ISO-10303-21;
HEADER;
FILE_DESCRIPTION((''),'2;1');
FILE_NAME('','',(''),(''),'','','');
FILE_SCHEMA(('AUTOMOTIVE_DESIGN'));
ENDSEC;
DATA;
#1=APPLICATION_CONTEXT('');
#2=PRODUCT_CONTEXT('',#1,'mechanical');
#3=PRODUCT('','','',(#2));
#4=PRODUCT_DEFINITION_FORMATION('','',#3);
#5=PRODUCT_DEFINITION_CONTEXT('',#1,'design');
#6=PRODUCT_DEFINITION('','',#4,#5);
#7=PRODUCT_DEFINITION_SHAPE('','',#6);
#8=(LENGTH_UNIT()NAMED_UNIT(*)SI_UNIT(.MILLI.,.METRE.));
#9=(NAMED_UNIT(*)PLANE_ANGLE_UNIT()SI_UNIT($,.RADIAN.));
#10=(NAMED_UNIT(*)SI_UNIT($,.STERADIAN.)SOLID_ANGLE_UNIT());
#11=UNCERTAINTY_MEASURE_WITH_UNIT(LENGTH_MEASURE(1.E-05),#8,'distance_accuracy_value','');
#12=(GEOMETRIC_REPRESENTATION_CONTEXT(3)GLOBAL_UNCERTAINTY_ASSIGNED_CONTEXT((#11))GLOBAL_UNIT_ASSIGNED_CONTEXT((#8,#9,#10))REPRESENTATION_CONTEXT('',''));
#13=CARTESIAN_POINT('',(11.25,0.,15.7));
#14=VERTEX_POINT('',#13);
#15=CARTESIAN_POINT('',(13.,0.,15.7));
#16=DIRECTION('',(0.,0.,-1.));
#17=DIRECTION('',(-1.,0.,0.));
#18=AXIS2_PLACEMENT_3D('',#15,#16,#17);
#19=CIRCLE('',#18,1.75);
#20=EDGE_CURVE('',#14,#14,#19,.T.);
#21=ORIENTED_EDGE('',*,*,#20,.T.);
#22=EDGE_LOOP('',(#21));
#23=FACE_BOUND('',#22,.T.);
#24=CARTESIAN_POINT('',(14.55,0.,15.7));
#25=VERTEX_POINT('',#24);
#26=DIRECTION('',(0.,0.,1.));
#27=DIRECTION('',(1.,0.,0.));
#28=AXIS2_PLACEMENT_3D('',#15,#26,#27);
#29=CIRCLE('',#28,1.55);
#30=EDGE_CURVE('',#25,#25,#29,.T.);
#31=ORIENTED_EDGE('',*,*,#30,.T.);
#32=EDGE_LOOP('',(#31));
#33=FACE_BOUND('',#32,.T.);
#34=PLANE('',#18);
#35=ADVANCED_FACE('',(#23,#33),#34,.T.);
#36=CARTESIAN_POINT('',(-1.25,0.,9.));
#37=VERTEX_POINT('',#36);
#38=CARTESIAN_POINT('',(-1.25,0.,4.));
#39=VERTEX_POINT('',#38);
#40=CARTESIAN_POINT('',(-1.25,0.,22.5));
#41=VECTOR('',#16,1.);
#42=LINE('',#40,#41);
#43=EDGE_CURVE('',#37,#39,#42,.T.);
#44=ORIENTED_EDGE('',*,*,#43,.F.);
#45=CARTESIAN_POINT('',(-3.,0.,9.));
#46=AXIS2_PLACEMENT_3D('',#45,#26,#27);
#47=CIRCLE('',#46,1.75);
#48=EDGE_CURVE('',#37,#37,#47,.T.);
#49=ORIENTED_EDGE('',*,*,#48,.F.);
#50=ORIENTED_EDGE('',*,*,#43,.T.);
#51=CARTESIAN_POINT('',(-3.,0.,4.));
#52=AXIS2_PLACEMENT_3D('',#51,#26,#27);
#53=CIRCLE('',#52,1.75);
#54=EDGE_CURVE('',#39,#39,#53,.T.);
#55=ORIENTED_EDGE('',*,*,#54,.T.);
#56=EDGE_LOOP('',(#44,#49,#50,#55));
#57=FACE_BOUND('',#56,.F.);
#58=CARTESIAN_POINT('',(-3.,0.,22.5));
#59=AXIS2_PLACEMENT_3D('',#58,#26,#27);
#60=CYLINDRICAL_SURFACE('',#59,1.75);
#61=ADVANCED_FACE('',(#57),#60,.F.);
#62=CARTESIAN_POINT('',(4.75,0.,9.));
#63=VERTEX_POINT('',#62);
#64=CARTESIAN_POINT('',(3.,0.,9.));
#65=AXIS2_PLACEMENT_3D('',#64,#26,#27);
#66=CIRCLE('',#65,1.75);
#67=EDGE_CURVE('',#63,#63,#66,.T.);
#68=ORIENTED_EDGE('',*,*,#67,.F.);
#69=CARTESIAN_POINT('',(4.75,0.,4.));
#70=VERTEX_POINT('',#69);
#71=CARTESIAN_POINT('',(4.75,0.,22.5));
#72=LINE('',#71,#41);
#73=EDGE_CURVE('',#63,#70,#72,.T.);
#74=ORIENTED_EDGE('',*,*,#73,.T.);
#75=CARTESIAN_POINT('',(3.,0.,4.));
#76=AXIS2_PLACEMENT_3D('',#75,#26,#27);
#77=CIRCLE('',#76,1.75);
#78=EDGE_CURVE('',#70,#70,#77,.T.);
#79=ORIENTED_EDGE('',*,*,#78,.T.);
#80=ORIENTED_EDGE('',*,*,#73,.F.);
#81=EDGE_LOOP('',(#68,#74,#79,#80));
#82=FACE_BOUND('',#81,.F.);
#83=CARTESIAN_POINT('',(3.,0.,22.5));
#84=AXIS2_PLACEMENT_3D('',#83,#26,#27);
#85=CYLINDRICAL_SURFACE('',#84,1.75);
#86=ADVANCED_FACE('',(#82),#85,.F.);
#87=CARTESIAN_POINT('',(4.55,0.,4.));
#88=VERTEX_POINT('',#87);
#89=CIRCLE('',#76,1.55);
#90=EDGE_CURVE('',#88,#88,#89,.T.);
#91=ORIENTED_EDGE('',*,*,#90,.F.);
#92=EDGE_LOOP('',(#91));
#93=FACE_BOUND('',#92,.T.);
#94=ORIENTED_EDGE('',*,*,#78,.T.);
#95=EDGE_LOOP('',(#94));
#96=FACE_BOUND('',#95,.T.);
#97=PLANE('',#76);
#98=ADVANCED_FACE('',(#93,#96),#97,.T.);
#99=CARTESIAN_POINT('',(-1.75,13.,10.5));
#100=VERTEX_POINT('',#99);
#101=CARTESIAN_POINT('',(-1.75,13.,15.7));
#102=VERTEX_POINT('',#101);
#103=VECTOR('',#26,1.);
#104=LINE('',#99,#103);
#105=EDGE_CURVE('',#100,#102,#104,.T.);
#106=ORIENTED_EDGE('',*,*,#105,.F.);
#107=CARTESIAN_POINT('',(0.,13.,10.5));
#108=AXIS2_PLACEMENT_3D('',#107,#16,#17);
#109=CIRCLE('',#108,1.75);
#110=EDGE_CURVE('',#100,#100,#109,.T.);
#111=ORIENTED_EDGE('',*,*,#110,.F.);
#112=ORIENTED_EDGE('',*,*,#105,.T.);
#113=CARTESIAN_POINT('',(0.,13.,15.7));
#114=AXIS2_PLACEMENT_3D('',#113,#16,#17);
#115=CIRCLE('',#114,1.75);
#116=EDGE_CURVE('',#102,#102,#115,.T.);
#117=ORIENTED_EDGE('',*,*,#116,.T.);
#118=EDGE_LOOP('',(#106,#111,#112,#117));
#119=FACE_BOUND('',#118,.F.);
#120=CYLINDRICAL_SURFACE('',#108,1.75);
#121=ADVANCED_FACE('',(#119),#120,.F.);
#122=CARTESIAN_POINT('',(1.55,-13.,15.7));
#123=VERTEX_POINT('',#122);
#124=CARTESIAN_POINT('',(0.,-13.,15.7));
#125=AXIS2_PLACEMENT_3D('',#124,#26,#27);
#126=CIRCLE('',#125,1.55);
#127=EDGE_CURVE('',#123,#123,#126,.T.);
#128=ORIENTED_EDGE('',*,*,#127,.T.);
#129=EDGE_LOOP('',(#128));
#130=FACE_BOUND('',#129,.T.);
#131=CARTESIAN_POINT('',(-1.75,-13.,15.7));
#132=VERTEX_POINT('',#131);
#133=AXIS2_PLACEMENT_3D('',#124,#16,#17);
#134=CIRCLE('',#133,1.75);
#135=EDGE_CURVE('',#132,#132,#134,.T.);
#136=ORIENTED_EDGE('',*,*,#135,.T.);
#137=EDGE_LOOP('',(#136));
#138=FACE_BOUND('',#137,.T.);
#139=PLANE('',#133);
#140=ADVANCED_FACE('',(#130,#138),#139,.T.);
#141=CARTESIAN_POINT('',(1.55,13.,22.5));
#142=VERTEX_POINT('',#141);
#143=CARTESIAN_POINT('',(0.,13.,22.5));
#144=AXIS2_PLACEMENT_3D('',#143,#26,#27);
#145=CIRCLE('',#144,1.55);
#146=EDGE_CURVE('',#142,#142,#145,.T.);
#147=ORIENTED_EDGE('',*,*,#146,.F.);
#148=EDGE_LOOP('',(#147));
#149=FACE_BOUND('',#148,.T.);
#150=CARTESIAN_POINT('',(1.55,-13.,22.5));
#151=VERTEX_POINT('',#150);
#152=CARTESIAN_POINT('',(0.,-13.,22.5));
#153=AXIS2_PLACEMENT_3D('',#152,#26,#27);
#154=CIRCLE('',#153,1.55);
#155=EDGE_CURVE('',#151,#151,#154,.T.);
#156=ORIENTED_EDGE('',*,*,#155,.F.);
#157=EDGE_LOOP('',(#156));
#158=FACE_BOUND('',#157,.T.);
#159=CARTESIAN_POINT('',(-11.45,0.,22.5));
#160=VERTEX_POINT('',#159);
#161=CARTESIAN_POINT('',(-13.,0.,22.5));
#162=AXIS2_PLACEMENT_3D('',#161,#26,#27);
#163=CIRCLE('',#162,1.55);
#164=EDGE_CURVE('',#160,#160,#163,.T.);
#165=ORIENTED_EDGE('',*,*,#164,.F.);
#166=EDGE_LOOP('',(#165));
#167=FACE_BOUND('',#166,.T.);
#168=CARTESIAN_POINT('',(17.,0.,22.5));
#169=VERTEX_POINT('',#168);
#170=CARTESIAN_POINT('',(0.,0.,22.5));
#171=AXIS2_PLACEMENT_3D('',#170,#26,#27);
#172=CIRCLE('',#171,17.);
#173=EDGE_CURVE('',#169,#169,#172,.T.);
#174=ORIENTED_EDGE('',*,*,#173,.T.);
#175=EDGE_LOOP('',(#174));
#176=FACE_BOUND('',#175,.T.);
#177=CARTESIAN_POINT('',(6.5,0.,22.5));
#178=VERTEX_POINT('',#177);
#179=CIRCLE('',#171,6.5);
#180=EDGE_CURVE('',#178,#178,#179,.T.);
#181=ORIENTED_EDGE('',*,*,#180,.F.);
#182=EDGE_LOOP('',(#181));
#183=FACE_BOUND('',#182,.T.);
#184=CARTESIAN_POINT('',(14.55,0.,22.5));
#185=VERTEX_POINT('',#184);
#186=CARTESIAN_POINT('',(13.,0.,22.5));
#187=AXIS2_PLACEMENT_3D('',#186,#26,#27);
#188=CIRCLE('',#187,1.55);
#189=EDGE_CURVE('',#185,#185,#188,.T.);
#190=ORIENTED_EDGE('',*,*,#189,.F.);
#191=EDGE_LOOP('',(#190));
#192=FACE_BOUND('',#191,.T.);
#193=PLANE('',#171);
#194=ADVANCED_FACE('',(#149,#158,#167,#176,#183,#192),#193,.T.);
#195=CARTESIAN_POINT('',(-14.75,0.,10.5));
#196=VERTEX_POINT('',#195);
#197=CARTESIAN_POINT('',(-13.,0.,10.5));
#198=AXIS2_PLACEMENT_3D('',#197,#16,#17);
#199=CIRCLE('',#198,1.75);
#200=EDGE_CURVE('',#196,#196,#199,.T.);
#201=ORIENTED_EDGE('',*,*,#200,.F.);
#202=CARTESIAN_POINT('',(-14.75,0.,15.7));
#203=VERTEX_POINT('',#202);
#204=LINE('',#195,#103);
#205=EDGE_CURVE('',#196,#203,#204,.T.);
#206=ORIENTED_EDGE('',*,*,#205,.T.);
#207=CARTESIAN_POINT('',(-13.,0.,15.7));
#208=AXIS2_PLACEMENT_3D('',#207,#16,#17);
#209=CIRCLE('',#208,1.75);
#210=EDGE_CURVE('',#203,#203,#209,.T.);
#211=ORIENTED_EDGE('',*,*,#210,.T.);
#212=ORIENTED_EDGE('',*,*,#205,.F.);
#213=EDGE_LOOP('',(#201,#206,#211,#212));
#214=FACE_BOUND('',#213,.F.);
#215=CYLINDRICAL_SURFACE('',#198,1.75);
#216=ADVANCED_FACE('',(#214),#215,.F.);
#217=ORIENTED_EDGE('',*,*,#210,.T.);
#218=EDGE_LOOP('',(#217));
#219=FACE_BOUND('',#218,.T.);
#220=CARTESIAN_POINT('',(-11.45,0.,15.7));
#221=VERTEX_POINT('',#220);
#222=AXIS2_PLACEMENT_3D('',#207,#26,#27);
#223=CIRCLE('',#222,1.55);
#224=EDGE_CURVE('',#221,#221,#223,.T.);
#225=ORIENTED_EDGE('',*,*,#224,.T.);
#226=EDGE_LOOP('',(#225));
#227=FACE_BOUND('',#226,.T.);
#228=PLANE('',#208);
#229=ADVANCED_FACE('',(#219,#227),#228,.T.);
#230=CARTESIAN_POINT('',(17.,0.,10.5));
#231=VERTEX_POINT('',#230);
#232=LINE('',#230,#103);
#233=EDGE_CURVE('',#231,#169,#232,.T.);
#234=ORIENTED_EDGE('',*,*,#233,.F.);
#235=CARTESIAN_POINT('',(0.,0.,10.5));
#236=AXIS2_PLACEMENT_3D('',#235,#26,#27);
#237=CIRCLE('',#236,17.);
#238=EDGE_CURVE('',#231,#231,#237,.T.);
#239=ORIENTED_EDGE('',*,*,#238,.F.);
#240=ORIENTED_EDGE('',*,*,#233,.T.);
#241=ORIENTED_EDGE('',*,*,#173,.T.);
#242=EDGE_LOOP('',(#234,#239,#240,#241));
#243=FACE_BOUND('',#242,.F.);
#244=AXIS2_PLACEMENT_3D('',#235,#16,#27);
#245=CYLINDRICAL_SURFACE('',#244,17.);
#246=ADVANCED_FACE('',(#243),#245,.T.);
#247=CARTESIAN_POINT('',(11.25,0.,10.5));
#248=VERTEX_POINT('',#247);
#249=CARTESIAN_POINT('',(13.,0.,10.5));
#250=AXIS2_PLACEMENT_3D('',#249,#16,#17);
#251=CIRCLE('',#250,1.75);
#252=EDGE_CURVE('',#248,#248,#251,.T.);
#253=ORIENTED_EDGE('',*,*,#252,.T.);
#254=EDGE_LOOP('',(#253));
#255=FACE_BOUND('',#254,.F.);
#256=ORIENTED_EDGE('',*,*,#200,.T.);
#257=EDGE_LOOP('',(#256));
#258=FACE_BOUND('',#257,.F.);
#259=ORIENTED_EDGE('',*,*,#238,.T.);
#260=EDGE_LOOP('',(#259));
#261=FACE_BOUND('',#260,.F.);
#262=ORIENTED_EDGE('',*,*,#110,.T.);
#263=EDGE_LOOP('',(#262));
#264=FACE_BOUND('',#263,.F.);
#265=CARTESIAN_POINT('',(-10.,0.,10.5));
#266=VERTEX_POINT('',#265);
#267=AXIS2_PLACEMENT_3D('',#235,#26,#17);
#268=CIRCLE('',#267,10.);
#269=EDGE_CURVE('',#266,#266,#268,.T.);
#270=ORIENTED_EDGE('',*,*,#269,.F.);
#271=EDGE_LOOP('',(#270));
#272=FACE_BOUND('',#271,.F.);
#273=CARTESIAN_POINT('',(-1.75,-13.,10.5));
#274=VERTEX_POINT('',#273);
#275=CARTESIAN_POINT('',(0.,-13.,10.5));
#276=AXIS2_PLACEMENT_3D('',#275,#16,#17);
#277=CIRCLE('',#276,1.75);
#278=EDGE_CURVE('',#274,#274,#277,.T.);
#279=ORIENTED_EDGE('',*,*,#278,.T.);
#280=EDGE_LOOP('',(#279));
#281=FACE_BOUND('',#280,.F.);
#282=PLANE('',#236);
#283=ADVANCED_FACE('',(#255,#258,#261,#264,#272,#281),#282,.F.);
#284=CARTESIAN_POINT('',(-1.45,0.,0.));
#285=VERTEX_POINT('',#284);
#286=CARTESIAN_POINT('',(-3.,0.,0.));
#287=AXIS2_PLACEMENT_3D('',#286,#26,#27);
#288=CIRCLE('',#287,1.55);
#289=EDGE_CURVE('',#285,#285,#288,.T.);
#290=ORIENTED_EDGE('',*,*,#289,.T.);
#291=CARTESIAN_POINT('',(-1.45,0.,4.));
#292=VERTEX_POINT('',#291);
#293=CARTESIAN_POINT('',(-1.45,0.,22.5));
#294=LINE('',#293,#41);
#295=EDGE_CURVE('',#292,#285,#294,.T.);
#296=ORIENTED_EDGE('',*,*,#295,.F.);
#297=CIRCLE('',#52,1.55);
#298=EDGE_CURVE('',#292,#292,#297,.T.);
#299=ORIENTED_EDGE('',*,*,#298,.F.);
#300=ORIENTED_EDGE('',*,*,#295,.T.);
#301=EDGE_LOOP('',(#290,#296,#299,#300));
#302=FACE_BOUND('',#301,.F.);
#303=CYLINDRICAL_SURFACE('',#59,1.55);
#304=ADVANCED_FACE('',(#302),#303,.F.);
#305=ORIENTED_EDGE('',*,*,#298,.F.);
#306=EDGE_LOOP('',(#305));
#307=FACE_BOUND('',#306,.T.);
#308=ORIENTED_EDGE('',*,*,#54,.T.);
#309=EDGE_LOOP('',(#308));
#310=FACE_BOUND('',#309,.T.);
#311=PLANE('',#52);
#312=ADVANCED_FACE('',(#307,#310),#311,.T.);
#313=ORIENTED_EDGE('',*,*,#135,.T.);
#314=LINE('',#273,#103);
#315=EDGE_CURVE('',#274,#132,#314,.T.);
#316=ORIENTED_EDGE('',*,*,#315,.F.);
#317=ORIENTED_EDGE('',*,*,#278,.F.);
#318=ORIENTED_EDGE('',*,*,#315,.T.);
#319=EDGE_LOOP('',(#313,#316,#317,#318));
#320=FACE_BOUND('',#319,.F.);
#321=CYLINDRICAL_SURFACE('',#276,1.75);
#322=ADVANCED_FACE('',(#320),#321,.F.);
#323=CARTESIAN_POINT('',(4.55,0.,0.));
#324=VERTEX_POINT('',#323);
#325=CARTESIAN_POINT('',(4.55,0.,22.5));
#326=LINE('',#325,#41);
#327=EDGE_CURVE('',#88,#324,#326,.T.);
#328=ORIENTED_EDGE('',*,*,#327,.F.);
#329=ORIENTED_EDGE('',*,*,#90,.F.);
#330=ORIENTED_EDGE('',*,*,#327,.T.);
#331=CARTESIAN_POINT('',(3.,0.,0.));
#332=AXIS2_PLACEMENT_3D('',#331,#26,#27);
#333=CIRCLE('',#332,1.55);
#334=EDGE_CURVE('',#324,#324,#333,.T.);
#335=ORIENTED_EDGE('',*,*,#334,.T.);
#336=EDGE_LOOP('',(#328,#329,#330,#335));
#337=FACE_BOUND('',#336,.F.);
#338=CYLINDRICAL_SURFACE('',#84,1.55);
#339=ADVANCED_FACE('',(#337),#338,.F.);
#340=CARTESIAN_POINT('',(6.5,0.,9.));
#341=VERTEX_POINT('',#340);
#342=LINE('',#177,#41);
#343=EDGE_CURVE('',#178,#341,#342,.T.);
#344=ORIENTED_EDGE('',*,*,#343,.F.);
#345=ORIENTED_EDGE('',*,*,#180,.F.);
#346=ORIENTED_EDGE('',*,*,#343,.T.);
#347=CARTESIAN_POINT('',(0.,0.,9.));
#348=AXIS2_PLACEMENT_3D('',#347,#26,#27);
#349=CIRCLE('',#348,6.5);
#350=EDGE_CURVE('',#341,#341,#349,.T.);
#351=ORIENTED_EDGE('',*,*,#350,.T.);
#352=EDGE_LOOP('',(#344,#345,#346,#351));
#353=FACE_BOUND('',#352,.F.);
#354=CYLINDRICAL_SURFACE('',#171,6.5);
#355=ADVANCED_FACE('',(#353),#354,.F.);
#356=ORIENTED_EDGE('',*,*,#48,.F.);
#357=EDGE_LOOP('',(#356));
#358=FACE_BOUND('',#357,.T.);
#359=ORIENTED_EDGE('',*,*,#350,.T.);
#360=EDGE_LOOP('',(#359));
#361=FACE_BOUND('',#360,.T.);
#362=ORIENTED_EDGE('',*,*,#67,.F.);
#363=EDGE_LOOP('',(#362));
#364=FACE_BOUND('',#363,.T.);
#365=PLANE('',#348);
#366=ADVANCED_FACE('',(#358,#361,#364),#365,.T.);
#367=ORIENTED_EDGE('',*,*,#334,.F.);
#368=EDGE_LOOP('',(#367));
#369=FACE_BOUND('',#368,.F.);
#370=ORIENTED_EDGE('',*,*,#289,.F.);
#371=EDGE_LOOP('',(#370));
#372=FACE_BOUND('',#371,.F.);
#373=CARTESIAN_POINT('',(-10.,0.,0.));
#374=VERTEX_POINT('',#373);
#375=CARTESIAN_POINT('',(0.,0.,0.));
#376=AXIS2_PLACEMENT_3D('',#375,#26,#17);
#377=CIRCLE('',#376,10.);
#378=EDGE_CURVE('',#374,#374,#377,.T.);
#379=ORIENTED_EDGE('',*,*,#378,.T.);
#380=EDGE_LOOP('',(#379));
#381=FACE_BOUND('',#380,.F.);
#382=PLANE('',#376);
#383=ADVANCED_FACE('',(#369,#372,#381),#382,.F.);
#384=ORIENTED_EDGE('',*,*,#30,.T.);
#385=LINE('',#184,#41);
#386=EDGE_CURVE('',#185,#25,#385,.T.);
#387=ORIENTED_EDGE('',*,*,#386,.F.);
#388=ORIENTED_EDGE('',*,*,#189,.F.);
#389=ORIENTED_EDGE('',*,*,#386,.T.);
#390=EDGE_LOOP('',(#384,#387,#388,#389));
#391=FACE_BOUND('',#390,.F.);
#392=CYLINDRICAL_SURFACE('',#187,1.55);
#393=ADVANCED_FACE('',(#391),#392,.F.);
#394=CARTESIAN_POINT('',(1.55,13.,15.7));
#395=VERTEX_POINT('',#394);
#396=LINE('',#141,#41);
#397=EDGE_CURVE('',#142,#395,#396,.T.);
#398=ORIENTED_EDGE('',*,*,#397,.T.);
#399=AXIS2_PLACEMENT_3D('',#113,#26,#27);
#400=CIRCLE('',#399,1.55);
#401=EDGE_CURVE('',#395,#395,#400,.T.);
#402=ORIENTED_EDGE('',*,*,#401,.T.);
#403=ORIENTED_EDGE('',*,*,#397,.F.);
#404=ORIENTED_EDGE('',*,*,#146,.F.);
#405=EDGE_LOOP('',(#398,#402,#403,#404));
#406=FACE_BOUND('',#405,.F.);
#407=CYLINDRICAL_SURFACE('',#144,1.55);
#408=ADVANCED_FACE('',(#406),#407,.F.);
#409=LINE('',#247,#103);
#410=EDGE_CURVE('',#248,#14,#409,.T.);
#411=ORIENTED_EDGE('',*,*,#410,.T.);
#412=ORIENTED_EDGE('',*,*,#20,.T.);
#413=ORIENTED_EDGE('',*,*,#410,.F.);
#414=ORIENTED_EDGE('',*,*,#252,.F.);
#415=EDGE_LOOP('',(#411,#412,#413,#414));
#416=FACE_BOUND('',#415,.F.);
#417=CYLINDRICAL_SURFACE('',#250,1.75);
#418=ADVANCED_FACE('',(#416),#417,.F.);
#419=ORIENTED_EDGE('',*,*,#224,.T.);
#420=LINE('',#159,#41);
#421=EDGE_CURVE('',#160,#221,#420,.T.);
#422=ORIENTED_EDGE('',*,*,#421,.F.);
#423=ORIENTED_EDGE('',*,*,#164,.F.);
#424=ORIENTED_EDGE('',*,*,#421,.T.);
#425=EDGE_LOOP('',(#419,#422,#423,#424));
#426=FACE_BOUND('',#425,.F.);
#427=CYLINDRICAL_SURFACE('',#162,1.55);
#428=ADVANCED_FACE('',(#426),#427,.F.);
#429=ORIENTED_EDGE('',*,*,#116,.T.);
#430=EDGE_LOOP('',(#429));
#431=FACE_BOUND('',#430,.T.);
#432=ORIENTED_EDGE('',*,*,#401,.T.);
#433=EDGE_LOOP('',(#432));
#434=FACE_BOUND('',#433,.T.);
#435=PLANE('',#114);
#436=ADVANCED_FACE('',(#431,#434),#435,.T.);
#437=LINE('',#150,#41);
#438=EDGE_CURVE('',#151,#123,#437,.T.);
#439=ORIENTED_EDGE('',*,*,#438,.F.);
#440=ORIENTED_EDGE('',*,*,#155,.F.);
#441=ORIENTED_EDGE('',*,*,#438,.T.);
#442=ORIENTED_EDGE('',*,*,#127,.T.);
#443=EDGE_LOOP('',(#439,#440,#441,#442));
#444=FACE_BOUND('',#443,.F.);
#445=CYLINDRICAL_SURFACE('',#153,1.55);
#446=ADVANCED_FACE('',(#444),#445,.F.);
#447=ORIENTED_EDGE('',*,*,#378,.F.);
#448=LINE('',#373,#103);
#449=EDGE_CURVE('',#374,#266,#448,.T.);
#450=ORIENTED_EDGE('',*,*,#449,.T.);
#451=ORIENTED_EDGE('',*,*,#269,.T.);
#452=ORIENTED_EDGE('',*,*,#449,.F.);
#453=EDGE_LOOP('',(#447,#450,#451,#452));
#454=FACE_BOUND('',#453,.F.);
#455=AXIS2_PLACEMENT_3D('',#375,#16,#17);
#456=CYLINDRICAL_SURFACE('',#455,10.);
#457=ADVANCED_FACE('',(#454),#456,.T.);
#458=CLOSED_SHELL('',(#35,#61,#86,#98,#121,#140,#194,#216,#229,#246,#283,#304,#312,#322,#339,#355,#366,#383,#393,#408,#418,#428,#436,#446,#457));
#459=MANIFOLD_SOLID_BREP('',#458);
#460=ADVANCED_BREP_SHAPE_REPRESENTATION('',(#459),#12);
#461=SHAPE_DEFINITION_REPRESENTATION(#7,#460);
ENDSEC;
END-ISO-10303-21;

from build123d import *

# Parameters (mm, degrees)
SKETCH1_R           = 10
BOSS_EXTRUDE1_DEPTH = 10.5
SKETCH3_R           = 17
BOSS_EXTRUDE2_DEPTH = 12
SKETCH4_R           = 1.55
CUT_EXTRUDE3_DEPTH  = 33.927951652
SKETCH5_R           = 1.55
CUT_EXTRUDE5_DEPTH  = 33.927951652
SKETCH6_R           = 1.75
CUT_EXTRUDE6_DEPTH  = 5.2
SKETCH7_R           = 1.75
CUT_EXTRUDE7_DEPTH  = 18.5
SKETCH8_R           = 6.5
CUT_EXTRUDE8_DEPTH  = 13.5


with BuildPart() as part:
    # Sketch1 → Boss-Extrude1 (new body)
    with BuildSketch(Plane.XY):
        with Locations(Location((0, 0, 0), (0, 0, 180))):
            Circle(SKETCH1_R)
    extrude(amount=BOSS_EXTRUDE1_DEPTH)

    # Sketch3 → Boss-Extrude2 (add)
    with BuildSketch(Plane.XY.offset(10.5)):
        Circle(SKETCH3_R)
    extrude(amount=BOSS_EXTRUDE2_DEPTH)

    # Sketch4 → Cut-Extrude3 (cut, through all)
    with BuildSketch(Plane.XY.offset(22.5)):
        with Locations((3, 0)):
            Circle(SKETCH4_R)
        with Locations((-3, 0)):
            Circle(SKETCH4_R)
    extrude(amount=-CUT_EXTRUDE3_DEPTH, mode=Mode.SUBTRACT)

    # Sketch5 → Cut-Extrude5 (cut, through all)
    with BuildSketch(Plane.XY.offset(22.5)):
        with Locations((13, 0)):
            Circle(SKETCH5_R)
        with Locations((0, -13)):
            Circle(SKETCH5_R)
        with Locations((-13, 0)):
            Circle(SKETCH5_R)
        with Locations((0, 13)):
            Circle(SKETCH5_R)
    extrude(amount=-CUT_EXTRUDE5_DEPTH, mode=Mode.SUBTRACT)

    # Sketch6 → Cut-Extrude6 (cut)
    with BuildSketch(Plane(origin=(0, 0, 10.5), x_dir=(-1, 0, 0), z_dir=(0, 0, -1))):
        with Locations((13, 0)):
            Circle(SKETCH6_R)
        with Locations((0, -13)):
            Circle(SKETCH6_R)
        with Locations((-13, 0)):
            Circle(SKETCH6_R)
        with Locations((0, 13)):
            Circle(SKETCH6_R)
    extrude(amount=-CUT_EXTRUDE6_DEPTH, mode=Mode.SUBTRACT)

    # Sketch7 → Cut-Extrude7 (cut)
    with BuildSketch(Plane.XY.offset(22.5)):
        with Locations((3, 0)):
            Circle(SKETCH7_R)
        with Locations((-3, 0)):
            Circle(SKETCH7_R)
    extrude(amount=-CUT_EXTRUDE7_DEPTH, mode=Mode.SUBTRACT)

    # Sketch8 → Cut-Extrude8 (cut)
    with BuildSketch(Plane.XY.offset(22.5)):
        Circle(SKETCH8_R)
    extrude(amount=-CUT_EXTRUDE8_DEPTH, mode=Mode.SUBTRACT)


solid = part.part
